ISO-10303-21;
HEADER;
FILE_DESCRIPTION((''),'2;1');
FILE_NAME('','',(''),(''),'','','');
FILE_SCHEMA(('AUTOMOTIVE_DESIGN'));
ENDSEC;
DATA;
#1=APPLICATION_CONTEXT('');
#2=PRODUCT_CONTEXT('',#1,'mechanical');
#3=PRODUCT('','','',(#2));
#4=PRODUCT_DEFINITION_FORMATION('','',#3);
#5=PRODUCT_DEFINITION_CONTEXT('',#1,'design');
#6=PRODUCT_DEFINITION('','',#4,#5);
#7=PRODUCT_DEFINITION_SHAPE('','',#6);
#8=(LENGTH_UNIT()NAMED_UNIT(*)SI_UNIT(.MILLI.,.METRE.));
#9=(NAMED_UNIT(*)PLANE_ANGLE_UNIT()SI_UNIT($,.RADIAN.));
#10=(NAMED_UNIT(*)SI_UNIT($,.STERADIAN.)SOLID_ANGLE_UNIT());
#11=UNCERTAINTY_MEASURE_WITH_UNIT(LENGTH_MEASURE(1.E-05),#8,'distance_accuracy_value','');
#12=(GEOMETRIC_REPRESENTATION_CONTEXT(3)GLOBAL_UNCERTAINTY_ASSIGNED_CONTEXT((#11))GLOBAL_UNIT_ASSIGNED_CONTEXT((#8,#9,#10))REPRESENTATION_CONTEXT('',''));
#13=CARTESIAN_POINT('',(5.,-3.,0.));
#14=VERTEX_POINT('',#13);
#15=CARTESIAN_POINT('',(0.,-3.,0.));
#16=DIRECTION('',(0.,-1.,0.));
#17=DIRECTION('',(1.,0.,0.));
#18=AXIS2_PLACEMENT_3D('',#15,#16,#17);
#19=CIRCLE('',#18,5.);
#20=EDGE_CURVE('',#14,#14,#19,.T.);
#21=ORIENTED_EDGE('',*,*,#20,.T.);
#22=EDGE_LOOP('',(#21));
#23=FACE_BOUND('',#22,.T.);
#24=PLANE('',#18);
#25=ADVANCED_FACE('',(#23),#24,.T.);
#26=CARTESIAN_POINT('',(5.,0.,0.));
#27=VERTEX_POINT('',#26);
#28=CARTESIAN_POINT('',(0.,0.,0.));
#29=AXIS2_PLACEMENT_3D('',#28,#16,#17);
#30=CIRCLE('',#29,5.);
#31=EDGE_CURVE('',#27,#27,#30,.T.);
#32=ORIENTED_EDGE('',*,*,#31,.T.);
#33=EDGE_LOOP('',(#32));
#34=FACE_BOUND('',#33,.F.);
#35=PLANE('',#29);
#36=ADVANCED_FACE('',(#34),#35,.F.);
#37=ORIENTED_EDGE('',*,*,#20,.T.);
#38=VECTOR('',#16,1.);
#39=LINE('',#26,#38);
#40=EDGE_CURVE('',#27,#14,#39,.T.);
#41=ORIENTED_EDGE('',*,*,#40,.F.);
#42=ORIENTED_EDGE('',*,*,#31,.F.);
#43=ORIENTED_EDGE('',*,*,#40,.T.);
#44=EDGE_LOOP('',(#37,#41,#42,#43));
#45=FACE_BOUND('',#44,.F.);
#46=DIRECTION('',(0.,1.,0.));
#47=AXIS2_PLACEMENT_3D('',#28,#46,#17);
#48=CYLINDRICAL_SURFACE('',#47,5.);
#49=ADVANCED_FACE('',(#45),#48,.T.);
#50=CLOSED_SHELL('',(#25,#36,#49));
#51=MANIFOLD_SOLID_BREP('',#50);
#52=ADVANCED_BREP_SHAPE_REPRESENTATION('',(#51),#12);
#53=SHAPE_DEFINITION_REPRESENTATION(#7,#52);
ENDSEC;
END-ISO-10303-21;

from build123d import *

# Parameters (mm, degrees)
SKETCH_R  = 5
PAD_DEPTH = 3


with BuildPart() as part:
    # Sketch → Pad (new body)
    with BuildSketch(Plane.XZ):
        Circle(SKETCH_R)
    extrude(amount=PAD_DEPTH)


solid = part.part
